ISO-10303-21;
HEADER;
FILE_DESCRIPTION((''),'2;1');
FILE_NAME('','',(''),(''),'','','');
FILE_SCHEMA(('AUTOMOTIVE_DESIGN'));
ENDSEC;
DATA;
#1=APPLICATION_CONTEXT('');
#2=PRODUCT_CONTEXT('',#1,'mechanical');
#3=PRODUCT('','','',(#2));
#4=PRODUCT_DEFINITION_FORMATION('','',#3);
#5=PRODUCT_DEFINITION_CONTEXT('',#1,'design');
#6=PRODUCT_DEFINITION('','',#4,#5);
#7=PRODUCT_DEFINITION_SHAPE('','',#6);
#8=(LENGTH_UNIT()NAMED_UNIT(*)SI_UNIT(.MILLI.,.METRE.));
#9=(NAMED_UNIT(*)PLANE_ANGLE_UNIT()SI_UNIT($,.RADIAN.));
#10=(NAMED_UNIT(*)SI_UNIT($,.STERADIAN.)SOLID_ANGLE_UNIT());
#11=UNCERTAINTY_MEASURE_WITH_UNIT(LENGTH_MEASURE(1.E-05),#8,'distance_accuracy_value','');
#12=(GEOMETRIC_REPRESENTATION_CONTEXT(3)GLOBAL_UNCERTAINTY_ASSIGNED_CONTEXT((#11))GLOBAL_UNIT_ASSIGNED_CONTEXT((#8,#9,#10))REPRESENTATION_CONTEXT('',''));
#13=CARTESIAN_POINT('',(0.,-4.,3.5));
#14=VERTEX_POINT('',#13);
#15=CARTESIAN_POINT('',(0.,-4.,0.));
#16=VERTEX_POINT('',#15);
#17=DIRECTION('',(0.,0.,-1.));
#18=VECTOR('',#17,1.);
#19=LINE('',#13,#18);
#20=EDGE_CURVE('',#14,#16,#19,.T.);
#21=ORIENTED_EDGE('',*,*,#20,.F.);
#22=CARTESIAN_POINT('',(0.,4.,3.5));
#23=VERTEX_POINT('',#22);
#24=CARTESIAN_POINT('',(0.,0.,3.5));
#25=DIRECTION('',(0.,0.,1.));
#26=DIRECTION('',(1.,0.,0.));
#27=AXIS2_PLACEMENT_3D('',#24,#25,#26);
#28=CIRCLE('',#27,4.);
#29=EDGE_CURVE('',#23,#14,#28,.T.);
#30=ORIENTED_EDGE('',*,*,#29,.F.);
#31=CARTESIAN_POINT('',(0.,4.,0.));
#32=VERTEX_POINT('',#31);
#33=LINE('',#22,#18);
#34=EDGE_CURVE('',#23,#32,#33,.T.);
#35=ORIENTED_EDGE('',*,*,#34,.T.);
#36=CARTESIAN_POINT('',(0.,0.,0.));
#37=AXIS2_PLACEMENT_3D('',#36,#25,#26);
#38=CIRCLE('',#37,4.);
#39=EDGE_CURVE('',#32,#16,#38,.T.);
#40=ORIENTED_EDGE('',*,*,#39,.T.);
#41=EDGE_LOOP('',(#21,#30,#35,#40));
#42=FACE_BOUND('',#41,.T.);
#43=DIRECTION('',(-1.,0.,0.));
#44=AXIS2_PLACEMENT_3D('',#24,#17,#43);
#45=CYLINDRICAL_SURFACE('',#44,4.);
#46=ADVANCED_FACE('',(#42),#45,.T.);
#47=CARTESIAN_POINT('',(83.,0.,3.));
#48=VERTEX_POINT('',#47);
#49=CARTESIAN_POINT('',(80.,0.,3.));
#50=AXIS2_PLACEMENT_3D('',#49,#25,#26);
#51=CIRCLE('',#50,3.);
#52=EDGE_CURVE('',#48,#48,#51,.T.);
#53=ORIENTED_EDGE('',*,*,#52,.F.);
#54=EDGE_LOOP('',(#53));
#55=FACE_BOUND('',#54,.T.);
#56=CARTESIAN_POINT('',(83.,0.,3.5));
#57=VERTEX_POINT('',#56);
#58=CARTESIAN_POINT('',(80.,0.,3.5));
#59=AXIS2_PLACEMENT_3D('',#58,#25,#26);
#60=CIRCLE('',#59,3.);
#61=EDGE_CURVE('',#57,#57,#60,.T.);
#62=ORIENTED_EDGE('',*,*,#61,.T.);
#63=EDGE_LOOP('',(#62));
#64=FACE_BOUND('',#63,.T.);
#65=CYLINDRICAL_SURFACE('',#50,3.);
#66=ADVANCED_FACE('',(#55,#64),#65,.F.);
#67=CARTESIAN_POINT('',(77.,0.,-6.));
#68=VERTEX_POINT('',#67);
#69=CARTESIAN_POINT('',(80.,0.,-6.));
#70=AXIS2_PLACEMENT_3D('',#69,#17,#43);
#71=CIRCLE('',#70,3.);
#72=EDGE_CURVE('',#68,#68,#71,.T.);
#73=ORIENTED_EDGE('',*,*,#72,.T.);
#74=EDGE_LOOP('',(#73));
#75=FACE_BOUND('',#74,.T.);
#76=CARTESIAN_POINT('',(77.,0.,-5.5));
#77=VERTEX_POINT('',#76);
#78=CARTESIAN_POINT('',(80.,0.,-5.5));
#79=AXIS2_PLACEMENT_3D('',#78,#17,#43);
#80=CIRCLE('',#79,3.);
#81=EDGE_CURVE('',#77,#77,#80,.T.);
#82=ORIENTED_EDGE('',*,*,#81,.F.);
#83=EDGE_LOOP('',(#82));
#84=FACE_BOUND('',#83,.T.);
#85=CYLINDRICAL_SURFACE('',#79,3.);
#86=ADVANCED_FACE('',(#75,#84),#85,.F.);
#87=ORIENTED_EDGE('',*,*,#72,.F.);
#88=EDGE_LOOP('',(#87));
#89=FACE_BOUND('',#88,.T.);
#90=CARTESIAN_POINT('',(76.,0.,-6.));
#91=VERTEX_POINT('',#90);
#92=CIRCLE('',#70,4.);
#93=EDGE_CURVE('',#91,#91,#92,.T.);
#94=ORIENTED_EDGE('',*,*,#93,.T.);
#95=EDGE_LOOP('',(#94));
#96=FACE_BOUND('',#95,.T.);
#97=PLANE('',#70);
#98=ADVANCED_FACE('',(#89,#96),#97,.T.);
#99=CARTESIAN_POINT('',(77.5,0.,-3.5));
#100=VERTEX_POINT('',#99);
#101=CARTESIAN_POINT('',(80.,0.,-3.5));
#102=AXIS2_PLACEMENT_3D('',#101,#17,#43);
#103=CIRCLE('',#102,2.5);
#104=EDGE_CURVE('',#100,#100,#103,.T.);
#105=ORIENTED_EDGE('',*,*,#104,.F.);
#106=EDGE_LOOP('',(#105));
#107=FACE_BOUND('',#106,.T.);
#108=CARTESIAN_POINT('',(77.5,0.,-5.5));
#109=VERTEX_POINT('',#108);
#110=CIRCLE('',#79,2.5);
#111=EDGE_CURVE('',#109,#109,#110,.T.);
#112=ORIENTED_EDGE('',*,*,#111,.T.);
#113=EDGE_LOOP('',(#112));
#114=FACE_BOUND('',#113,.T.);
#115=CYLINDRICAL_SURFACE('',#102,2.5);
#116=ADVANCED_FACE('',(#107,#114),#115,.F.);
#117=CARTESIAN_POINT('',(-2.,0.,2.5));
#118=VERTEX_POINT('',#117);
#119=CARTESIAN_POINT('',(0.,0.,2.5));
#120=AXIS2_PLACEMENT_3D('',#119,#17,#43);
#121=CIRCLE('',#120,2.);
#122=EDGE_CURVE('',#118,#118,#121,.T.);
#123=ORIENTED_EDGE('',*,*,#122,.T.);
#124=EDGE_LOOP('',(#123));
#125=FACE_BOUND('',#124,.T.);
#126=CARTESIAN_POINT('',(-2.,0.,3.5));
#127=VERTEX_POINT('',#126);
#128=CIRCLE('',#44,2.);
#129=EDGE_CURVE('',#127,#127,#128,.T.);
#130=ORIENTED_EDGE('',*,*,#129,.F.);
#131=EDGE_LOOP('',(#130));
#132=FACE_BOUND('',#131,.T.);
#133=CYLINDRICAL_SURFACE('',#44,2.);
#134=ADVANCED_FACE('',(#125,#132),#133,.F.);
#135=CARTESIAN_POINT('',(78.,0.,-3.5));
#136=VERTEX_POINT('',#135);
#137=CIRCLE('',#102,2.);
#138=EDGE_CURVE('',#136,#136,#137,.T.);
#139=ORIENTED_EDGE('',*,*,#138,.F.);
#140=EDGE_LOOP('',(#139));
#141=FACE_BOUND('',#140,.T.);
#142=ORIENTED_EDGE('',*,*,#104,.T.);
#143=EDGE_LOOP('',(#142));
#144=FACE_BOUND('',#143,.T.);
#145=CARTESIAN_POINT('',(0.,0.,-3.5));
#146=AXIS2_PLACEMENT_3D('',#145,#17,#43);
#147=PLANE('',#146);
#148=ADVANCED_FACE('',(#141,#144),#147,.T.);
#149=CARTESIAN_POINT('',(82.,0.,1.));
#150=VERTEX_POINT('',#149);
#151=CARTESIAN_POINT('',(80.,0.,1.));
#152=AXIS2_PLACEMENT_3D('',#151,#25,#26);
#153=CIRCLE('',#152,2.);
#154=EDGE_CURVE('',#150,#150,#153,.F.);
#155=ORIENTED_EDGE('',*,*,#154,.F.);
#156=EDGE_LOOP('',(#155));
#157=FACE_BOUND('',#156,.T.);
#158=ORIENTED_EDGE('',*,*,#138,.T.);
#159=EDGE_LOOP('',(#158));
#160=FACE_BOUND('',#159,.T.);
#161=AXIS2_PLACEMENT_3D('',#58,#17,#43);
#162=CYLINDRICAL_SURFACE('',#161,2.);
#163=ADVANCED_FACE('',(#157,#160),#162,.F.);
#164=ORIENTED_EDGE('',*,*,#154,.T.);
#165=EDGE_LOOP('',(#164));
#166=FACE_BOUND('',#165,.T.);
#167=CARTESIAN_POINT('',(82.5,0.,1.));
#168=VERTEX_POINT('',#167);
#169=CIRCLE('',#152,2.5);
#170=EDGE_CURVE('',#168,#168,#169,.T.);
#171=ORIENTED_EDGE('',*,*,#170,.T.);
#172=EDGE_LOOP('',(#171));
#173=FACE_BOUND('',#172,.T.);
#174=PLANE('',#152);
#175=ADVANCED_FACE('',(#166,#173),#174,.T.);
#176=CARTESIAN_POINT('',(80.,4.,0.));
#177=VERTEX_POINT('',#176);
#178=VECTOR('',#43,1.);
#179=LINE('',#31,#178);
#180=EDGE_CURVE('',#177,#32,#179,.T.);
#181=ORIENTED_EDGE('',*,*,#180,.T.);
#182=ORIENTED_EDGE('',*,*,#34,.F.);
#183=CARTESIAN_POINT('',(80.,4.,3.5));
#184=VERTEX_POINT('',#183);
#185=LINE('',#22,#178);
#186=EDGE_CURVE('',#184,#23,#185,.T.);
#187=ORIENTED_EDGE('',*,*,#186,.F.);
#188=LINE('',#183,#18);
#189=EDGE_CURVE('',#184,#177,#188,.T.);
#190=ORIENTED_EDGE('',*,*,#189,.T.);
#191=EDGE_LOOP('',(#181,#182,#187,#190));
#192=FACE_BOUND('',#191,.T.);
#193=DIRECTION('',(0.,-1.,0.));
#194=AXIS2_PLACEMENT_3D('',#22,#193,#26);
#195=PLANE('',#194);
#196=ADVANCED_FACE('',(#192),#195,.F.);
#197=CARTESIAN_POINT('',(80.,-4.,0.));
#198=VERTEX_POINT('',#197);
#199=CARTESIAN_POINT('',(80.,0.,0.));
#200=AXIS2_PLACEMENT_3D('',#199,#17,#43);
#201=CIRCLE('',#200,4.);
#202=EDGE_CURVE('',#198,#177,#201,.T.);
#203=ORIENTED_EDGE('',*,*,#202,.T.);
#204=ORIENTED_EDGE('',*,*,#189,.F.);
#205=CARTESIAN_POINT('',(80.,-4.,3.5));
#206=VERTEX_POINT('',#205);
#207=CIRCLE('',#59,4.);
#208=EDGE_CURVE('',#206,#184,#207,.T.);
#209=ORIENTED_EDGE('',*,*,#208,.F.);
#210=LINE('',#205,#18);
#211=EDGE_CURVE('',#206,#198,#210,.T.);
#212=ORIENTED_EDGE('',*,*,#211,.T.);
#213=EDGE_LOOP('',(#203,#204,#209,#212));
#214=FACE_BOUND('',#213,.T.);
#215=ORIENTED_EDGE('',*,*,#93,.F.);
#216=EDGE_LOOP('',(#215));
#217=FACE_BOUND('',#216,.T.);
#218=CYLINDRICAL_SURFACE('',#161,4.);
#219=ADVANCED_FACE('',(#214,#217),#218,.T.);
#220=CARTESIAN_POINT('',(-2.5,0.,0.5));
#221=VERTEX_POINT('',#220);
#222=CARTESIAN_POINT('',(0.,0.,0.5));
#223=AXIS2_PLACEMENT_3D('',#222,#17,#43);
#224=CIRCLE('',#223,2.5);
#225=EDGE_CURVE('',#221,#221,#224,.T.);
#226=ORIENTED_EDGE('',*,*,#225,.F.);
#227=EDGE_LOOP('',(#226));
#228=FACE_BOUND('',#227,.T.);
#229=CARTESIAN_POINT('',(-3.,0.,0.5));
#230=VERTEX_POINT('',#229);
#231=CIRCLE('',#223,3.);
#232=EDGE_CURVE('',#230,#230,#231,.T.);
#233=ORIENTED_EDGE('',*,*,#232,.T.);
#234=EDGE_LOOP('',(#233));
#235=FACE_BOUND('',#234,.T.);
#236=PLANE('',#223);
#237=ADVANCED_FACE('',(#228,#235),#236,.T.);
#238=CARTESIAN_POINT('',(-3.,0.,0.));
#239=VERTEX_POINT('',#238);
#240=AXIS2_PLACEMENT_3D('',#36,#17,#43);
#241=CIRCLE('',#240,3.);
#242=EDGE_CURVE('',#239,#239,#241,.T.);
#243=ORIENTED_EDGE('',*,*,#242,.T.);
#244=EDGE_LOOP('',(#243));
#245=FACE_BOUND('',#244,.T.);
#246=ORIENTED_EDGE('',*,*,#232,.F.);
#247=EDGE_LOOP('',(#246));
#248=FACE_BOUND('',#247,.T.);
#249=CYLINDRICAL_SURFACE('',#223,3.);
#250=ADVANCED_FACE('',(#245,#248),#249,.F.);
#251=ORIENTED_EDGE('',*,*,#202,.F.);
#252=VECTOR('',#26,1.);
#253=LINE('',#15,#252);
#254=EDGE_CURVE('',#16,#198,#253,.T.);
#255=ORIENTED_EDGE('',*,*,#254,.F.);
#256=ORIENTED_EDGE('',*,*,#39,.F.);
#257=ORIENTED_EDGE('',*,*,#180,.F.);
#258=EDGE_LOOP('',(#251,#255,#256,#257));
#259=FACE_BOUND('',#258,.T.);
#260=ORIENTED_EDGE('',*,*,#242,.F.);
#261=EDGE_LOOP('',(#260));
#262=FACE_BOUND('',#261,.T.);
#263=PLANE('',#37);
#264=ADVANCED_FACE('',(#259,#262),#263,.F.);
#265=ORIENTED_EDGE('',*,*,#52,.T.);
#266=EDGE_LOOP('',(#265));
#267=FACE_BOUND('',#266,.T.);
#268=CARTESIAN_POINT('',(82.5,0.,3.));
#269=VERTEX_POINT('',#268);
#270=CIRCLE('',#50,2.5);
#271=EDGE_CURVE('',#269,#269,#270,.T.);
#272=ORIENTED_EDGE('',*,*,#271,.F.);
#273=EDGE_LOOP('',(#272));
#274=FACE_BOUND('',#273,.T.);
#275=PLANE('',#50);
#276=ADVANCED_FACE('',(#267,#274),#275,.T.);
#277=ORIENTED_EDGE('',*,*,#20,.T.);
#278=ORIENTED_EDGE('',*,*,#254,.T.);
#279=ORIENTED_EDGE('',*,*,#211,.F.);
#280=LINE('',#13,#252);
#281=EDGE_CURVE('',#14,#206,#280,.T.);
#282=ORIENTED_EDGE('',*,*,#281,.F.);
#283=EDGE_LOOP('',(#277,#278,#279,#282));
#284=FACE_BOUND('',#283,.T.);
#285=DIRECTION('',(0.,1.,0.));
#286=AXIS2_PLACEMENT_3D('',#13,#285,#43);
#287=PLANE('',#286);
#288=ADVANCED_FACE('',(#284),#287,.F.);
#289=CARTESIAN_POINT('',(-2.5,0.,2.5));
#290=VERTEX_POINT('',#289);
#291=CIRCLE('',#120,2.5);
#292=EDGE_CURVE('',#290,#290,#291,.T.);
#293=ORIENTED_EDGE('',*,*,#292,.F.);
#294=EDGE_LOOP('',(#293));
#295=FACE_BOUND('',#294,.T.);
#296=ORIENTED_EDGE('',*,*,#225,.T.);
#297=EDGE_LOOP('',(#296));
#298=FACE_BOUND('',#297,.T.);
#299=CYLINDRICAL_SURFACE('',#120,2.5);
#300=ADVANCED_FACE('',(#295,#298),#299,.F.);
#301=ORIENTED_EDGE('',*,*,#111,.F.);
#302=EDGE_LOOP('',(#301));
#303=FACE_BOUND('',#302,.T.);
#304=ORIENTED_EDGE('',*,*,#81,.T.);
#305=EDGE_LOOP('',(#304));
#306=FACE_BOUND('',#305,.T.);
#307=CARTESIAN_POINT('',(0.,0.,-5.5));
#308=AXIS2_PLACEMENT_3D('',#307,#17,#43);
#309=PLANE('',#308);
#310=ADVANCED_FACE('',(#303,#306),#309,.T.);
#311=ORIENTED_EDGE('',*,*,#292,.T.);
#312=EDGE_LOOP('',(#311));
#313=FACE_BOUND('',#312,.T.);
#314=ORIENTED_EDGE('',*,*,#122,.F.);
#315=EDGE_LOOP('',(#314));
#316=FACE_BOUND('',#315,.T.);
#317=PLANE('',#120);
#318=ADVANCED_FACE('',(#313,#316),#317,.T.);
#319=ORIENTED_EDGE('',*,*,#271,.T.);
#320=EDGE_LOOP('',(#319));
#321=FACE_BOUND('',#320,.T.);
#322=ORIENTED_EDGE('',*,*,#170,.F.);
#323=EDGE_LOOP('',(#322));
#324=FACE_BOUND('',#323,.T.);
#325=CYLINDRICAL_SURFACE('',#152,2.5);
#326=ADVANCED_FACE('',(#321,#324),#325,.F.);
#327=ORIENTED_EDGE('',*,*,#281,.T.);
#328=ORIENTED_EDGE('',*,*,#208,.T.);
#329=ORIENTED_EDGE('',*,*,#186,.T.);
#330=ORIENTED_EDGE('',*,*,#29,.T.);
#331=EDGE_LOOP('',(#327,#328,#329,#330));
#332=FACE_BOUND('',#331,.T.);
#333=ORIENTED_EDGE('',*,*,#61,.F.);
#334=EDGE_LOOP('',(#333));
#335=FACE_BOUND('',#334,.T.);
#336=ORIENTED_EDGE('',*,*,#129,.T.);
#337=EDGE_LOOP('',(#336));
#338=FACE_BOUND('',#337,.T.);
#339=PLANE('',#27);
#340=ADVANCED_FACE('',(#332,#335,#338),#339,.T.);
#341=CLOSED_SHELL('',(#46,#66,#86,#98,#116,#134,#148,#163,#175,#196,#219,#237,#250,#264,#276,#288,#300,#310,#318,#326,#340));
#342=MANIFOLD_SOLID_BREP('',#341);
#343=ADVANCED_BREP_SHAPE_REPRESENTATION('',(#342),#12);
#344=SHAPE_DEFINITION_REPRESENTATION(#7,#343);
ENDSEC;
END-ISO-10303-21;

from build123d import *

# Parameters (mm, degrees)
EXTRUDE_1_DEPTH     = 3.5
SKETCH_4_R          = 2
CUT_EXTRUDE_1_DEPTH = 85.167986788
SKETCH_4_3_R        = 2.5
SKETCH_4_3_R_2      = 2
CUT_EXTRUDE_2_DEPTH = 2.5
SKETCH_4_5_R        = 3
SKETCH_4_5_R_2      = 2.5
CUT_EXTRUDE_4_DEPTH = 0.5
EXTRUDE_START       = 6
SKETCH_5_R          = 4
EXTRUDE_2_DEPTH     = 6
SKETCH_6_R          = 2
CUT_EXTRUDE_5_DEPTH = 85.630077396
SKETCH_6_3_R        = 2.5
SKETCH_6_3_R_2      = 2
CUT_EXTRUDE_6_DEPTH = 2.5
SKETCH_6_4_R        = 3
SKETCH_6_4_R_2      = 2.5
CUT_EXTRUDE_7_DEPTH = 0.5
CUT_EXTRUDE_START   = -2.5
SKETCH_7_R          = 2.5
CUT_EXTRUDE_8_DEPTH = 2.5
CUT_EXTRUDE_START_2 = -0.5
SKETCH_7_3_R        = 3
SKETCH_7_3_R_2      = 2.5
CUT_EXTRUDE_9_DEPTH = 0.5


with BuildPart() as part:
    # 草图3 → 凸台-拉伸1 (new body)
    with BuildSketch(Plane.XY):
        with BuildLine():
            Line((0, 4), (80, 4))
            ThreePointArc((80, 4), (84, 0), (80, -4))
            Line((80, -4), (0, -4))
            ThreePointArc((0, -4), (-4, 0), (0, 4))
        make_face()
    extrude(amount=EXTRUDE_1_DEPTH)

    # 草图4 → 切除-拉伸1 (cut, through all)
    with BuildSketch(Plane(origin=(0, 0, 0), x_dir=(-1, 0, 0), z_dir=(0, 0, -1))):
        Circle(SKETCH_4_R)
    extrude(amount=-CUT_EXTRUDE_1_DEPTH, mode=Mode.SUBTRACT)

    # 草图4<3> → 切除-拉伸2 (cut)
    with BuildSketch(Plane(origin=(0, 0, 0), x_dir=(-1, 0, 0), z_dir=(0, 0, -1))):
        Circle(SKETCH_4_3_R)
        Circle(SKETCH_4_3_R_2, mode=Mode.SUBTRACT)
    extrude(amount=-CUT_EXTRUDE_2_DEPTH, mode=Mode.SUBTRACT)

    # 草图4<5> → 切除-拉伸4 (cut)
    with BuildSketch(Plane(origin=(0, 0, 0), x_dir=(-1, 0, 0), z_dir=(0, 0, -1))):
        Circle(SKETCH_4_5_R)
        Circle(SKETCH_4_5_R_2, mode=Mode.SUBTRACT)
    extrude(amount=-CUT_EXTRUDE_4_DEPTH, mode=Mode.SUBTRACT)

    # 草图5 → 凸台-拉伸2 (add)
    with BuildSketch(Plane(origin=(0, 0, 0), x_dir=(-1, 0, 0), z_dir=(0, 0, -1)).offset(EXTRUDE_START)):
        with Locations((-80, 0)):
            Circle(SKETCH_5_R)
    extrude(amount=-EXTRUDE_2_DEPTH)

    # 草图6 → 切除-拉伸5 (cut, through all)
    with BuildSketch(Plane(origin=(0, 0, -6), x_dir=(-1, 0, 0), z_dir=(0, 0, -1))):
        with Locations((-80, 0)):
            Circle(SKETCH_6_R)
    extrude(amount=-CUT_EXTRUDE_5_DEPTH, mode=Mode.SUBTRACT)

    # 草图6<3> → 切除-拉伸6 (cut)
    with BuildSketch(Plane(origin=(0, 0, -6), x_dir=(-1, 0, 0), z_dir=(0, 0, -1))):
        with Locations((-80, 0)):
            Circle(SKETCH_6_3_R)
        with Locations((-80, 0)):
            Circle(SKETCH_6_3_R_2, mode=Mode.SUBTRACT)
    extrude(amount=-CUT_EXTRUDE_6_DEPTH, mode=Mode.SUBTRACT)

    # 草图6<4> → 切除-拉伸7 (cut)
    with BuildSketch(Plane(origin=(0, 0, -6), x_dir=(-1, 0, 0), z_dir=(0, 0, -1))):
        with Locations((-80, 0)):
            Circle(SKETCH_6_4_R)
        with Locations((-80, 0)):
            Circle(SKETCH_6_4_R_2, mode=Mode.SUBTRACT)
    extrude(amount=-CUT_EXTRUDE_7_DEPTH, mode=Mode.SUBTRACT)

    # 草图7 → 切除-拉伸8 (cut)
    with BuildSketch(Plane.XY.offset(3.5).offset(CUT_EXTRUDE_START)):
        with Locations((80, 0)):
            Circle(SKETCH_7_R)
    extrude(amount=CUT_EXTRUDE_8_DEPTH, mode=Mode.SUBTRACT)

    # 草图7<3> → 切除-拉伸9 (cut)
    with BuildSketch(Plane.XY.offset(3.5).offset(CUT_EXTRUDE_START_2)):
        with Locations((80, 0)):
            Circle(SKETCH_7_3_R)
        with Locations((80, 0)):
            Circle(SKETCH_7_3_R_2, mode=Mode.SUBTRACT)
    extrude(amount=CUT_EXTRUDE_9_DEPTH, mode=Mode.SUBTRACT)


solid = part.part
